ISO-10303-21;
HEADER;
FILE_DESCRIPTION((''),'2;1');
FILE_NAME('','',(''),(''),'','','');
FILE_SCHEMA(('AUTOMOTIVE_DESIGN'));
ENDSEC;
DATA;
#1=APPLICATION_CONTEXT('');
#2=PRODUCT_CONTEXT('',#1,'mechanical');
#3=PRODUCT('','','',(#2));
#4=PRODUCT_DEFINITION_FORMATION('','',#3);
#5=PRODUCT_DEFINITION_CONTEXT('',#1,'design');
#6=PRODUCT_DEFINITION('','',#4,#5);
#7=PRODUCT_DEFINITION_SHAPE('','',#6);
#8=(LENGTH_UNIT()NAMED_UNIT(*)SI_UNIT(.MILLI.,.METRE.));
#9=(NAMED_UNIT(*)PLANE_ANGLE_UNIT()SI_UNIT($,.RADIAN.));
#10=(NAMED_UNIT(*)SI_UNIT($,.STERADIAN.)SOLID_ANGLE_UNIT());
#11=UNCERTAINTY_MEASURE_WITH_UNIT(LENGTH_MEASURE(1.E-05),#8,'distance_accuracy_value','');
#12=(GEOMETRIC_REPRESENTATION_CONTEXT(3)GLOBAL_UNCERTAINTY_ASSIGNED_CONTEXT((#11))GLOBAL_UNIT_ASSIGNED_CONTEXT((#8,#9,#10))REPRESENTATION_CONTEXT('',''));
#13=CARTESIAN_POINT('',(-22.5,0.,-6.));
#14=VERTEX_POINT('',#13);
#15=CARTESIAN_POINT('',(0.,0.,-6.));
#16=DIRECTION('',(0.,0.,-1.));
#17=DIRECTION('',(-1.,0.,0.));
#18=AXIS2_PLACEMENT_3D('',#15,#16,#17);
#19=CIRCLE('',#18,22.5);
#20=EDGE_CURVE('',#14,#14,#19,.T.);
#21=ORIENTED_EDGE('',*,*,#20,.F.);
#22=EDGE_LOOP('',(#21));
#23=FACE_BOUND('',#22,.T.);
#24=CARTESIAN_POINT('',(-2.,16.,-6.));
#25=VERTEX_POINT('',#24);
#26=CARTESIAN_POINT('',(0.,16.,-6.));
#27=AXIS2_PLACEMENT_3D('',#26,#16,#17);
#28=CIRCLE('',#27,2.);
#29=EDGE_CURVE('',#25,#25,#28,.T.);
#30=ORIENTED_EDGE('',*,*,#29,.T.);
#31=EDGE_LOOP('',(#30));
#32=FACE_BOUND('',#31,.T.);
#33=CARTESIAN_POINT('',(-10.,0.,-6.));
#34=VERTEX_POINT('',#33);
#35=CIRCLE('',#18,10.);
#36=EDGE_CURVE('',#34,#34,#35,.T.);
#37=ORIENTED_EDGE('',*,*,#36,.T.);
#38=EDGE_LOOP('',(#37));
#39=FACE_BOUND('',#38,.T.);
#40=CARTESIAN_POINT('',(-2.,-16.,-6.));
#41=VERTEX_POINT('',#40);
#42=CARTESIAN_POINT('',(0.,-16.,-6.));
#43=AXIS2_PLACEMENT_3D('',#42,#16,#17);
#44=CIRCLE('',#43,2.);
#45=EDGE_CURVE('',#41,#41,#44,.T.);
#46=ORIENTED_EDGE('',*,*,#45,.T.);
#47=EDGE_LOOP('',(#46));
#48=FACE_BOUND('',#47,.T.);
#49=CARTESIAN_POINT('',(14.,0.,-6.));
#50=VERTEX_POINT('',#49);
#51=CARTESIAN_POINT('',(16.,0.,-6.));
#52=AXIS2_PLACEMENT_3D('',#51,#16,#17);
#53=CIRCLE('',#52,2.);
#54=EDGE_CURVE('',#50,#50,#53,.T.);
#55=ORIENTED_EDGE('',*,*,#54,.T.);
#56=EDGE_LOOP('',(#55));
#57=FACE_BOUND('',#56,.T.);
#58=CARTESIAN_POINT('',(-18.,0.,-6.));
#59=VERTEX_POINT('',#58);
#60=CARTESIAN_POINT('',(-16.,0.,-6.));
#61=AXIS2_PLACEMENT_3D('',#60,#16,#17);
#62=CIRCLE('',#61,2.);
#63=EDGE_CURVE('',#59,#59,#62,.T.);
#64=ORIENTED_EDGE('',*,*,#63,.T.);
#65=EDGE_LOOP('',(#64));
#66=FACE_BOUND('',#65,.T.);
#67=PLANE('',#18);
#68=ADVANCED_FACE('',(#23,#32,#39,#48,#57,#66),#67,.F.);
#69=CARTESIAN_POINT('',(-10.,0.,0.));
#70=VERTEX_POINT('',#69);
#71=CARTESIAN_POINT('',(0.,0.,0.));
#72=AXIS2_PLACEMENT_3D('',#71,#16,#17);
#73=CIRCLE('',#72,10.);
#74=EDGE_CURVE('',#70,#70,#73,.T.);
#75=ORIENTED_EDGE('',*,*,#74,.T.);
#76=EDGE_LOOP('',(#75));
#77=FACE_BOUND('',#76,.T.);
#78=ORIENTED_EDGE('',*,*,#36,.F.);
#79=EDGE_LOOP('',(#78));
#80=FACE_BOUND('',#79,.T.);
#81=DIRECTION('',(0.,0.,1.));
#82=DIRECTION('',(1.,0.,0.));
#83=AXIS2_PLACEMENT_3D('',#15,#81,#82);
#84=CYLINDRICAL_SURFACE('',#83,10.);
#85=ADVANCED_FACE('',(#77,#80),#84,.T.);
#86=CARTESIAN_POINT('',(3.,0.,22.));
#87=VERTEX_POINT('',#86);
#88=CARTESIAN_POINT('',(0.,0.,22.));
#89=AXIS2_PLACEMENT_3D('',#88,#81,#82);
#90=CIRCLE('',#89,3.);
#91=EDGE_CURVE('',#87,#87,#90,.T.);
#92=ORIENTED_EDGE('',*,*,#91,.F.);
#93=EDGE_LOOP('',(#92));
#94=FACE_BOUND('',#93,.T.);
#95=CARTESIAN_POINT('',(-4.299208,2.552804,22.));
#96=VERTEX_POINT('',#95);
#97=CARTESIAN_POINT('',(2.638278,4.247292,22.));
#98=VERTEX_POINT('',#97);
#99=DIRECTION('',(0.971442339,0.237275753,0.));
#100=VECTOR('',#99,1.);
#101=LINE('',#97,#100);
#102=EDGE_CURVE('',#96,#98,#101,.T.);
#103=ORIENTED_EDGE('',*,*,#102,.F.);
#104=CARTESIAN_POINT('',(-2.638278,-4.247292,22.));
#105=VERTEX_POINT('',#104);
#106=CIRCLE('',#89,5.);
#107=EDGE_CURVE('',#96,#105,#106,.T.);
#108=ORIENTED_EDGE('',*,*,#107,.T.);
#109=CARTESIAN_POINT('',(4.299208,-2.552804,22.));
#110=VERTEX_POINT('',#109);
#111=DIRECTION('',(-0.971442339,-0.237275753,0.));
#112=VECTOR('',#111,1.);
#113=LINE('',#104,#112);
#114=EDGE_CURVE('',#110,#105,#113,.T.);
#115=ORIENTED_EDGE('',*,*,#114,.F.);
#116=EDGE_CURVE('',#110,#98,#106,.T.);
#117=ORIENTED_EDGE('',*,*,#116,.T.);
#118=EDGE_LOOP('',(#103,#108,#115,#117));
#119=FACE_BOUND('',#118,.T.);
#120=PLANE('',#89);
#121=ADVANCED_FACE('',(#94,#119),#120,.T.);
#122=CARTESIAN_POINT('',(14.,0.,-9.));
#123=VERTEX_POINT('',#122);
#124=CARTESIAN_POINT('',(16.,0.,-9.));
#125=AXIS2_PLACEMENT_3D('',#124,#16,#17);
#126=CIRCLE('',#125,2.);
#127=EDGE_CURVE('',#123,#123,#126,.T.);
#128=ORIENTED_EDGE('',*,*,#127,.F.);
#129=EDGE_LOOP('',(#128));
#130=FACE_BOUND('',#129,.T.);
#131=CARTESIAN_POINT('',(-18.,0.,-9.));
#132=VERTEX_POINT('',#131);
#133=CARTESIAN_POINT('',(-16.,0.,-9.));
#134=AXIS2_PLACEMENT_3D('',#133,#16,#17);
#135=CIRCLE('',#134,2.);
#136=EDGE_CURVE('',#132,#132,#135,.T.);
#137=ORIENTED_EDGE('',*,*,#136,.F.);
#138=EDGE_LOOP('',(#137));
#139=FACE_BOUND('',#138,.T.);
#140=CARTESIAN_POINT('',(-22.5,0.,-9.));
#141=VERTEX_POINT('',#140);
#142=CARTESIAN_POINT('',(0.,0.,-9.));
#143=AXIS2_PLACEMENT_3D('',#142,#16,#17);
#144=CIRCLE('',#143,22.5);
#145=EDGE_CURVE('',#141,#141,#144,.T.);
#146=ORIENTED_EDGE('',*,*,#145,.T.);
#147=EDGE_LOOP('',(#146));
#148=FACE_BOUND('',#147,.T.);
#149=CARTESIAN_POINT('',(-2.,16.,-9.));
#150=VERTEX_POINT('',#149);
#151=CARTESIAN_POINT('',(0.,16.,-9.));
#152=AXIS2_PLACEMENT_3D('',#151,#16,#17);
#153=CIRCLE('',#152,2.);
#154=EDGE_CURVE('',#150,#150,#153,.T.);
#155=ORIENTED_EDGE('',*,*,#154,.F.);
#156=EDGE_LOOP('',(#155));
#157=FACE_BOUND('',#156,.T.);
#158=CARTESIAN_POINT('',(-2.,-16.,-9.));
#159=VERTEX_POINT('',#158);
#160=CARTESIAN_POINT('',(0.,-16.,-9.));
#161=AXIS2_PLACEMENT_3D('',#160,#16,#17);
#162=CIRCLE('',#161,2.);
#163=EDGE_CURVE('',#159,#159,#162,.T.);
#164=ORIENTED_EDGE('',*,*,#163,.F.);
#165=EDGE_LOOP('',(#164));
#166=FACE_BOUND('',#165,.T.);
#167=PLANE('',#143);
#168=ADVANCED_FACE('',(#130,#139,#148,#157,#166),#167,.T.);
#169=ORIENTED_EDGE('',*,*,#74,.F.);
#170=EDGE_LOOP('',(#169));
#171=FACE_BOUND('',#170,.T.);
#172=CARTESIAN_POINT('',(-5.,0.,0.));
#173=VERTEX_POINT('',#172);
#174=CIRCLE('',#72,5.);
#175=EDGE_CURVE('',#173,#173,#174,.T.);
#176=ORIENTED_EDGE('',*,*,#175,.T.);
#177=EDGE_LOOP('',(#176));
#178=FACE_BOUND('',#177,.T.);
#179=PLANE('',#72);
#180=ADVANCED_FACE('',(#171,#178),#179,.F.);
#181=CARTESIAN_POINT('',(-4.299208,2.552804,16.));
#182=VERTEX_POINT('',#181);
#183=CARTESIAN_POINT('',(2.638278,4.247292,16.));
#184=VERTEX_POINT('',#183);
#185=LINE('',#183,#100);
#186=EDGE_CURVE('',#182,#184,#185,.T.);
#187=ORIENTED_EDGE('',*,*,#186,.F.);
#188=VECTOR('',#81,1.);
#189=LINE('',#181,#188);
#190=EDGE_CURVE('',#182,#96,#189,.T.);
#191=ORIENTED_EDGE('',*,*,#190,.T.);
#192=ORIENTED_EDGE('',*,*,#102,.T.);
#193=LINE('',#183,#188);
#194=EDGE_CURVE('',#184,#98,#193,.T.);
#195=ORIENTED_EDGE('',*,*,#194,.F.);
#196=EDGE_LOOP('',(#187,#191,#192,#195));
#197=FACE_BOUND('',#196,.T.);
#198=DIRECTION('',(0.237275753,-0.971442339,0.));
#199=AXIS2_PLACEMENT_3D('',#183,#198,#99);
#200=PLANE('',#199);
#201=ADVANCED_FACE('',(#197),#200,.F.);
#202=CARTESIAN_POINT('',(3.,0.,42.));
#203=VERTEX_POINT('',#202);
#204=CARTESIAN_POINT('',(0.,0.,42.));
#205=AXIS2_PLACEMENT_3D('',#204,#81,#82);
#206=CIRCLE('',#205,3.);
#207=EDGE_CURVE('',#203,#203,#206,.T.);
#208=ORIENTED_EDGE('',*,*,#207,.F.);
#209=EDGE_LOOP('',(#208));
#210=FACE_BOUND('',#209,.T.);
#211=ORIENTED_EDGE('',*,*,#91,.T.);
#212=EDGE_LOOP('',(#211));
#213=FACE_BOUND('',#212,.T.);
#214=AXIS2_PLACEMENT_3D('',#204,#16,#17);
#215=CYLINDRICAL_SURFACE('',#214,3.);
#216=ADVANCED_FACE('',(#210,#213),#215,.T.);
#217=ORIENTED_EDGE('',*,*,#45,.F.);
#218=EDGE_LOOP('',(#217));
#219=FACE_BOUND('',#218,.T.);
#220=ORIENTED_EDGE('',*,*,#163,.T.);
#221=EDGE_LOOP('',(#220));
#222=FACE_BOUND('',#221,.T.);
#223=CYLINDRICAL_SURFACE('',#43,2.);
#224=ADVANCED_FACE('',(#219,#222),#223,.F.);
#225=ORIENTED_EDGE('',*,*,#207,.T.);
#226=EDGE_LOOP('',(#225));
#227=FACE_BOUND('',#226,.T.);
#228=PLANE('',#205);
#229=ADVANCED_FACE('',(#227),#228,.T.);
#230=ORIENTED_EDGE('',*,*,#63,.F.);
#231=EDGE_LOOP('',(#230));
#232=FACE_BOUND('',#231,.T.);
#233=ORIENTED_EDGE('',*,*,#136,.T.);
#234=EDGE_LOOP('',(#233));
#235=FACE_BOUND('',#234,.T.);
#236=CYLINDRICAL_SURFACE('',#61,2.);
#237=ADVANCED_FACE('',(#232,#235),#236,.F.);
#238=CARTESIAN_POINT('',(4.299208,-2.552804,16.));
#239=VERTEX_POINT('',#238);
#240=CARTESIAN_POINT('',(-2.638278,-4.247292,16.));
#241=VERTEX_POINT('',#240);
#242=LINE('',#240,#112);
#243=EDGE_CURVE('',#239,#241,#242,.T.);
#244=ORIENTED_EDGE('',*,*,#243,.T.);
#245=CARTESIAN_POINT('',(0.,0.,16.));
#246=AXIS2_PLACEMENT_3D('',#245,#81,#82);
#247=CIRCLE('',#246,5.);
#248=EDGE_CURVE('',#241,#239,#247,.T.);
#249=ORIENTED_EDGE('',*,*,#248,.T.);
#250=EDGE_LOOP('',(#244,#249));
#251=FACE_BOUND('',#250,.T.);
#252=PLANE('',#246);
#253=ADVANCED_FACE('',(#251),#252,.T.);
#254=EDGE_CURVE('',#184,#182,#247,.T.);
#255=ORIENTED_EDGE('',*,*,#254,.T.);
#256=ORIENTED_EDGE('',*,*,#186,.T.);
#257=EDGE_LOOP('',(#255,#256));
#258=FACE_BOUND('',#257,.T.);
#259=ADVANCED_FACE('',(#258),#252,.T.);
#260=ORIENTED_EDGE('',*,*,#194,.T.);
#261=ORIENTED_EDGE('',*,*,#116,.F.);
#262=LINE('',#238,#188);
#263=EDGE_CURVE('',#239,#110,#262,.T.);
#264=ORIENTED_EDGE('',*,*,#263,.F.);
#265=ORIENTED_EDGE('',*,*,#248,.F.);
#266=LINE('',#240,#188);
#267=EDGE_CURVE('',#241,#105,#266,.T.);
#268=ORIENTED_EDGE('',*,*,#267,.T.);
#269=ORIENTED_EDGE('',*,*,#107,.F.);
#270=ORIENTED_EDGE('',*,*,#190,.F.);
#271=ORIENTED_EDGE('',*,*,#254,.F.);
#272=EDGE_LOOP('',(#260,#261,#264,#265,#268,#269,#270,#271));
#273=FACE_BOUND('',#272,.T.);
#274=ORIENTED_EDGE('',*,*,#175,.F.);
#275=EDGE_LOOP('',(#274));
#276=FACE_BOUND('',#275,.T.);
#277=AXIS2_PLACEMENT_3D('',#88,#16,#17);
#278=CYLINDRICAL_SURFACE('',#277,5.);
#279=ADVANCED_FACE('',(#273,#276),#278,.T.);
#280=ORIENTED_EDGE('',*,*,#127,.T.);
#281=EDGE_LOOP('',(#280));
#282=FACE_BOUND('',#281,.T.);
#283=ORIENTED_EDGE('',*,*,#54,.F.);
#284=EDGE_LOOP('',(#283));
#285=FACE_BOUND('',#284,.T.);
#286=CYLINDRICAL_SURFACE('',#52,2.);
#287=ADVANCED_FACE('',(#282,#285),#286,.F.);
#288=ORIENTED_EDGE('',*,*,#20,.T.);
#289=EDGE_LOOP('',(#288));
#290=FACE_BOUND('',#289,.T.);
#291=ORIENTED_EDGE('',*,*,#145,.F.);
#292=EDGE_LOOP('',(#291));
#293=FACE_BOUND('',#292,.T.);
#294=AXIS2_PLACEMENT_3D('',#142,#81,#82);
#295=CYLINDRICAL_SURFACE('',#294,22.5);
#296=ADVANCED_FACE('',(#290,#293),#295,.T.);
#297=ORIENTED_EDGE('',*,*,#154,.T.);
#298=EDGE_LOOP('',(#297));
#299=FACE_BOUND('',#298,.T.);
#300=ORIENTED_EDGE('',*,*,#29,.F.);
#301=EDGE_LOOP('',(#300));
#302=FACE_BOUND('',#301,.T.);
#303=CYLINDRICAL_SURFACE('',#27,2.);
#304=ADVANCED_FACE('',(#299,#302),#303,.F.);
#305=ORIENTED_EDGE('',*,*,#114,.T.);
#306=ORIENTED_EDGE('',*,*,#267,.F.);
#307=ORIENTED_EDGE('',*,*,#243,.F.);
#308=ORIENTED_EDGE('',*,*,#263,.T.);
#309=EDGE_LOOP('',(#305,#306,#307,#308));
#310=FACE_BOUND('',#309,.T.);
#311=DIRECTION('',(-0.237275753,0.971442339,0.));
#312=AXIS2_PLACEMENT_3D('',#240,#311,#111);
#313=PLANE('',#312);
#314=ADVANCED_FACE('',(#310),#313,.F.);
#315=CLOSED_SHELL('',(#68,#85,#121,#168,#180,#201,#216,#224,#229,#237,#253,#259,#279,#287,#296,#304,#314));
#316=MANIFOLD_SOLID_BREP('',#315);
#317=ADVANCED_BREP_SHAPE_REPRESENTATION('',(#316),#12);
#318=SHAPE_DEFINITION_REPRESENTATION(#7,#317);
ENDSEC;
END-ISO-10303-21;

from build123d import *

# Parameters (mm, degrees)
SKETCH1_R           = 5
BOSS_EXTRUDE1_DEPTH = 22
CUT_EXTRUDE1_START  = -6
CUT_EXTRUDE1_DEPTH  = 6
SKETCH3_R           = 3
BOSS_EXTRUDE2_DEPTH = 20
SKETCH4_R           = 10
BOSS_EXTRUDE3_DEPTH = 6
SKETCH5_R           = 22.5
BOSS_EXTRUDE4_DEPTH = 3
SKETCH6_R           = 2
CUT_EXTRUDE2_DEPTH  = 3


with BuildPart() as part:
    # Sketch1 → Boss-Extrude1 (new body)
    with BuildSketch(Plane.XY):
        Circle(SKETCH1_R)
    extrude(amount=BOSS_EXTRUDE1_DEPTH)

    # Sketch2 → Cut-Extrude1 (cut)
    with BuildSketch(Plane.XY.offset(22).offset(CUT_EXTRUDE1_START)):
        with BuildLine():
            Line((2.638277831, 4.247292089), (-4.299208102, 2.552804281))
            ThreePointArc((-4.299208102, 2.552804281), (-1.186378765, 4.857211693), (2.638277831, 4.247292089))
        make_face()
        with BuildLine():
            Line((-2.638277831, -4.247292089), (4.299208102, -2.552804281))
            ThreePointArc((4.299208102, -2.552804281), (1.186378765, -4.857211693), (-2.638277831, -4.247292089))
        make_face()
    extrude(amount=CUT_EXTRUDE1_DEPTH, mode=Mode.SUBTRACT)

    # Sketch3 → Boss-Extrude2 (add)
    with BuildSketch(Plane.XY.offset(22)):
        Circle(SKETCH3_R)
    extrude(amount=BOSS_EXTRUDE2_DEPTH)

    # Sketch4 → Boss-Extrude3 (add)
    with BuildSketch(Plane(origin=(0, 0, 0), x_dir=(-1, 0, 0), z_dir=(0, 0, -1))):
        Circle(SKETCH4_R)
    extrude(amount=BOSS_EXTRUDE3_DEPTH)

    # Sketch5 → Boss-Extrude4 (add)
    with BuildSketch(Plane(origin=(0, 0, -6), x_dir=(-1, 0, 0), z_dir=(0, 0, -1))):
        Circle(SKETCH5_R)
    extrude(amount=BOSS_EXTRUDE4_DEPTH)

    # Sketch6 → Cut-Extrude2 (cut)
    with BuildSketch(Plane(origin=(0, 0, -9), x_dir=(-1, 0, 0), z_dir=(0, 0, -1))):
        with Locations((-16, 0)):
            Circle(SKETCH6_R)
        with Locations((0, 16)):
            Circle(SKETCH6_R)
        with Locations((16, 0)):
            Circle(SKETCH6_R)
        with Locations((0, -16)):
            Circle(SKETCH6_R)
    extrude(amount=-CUT_EXTRUDE2_DEPTH, mode=Mode.SUBTRACT)


solid = part.part
